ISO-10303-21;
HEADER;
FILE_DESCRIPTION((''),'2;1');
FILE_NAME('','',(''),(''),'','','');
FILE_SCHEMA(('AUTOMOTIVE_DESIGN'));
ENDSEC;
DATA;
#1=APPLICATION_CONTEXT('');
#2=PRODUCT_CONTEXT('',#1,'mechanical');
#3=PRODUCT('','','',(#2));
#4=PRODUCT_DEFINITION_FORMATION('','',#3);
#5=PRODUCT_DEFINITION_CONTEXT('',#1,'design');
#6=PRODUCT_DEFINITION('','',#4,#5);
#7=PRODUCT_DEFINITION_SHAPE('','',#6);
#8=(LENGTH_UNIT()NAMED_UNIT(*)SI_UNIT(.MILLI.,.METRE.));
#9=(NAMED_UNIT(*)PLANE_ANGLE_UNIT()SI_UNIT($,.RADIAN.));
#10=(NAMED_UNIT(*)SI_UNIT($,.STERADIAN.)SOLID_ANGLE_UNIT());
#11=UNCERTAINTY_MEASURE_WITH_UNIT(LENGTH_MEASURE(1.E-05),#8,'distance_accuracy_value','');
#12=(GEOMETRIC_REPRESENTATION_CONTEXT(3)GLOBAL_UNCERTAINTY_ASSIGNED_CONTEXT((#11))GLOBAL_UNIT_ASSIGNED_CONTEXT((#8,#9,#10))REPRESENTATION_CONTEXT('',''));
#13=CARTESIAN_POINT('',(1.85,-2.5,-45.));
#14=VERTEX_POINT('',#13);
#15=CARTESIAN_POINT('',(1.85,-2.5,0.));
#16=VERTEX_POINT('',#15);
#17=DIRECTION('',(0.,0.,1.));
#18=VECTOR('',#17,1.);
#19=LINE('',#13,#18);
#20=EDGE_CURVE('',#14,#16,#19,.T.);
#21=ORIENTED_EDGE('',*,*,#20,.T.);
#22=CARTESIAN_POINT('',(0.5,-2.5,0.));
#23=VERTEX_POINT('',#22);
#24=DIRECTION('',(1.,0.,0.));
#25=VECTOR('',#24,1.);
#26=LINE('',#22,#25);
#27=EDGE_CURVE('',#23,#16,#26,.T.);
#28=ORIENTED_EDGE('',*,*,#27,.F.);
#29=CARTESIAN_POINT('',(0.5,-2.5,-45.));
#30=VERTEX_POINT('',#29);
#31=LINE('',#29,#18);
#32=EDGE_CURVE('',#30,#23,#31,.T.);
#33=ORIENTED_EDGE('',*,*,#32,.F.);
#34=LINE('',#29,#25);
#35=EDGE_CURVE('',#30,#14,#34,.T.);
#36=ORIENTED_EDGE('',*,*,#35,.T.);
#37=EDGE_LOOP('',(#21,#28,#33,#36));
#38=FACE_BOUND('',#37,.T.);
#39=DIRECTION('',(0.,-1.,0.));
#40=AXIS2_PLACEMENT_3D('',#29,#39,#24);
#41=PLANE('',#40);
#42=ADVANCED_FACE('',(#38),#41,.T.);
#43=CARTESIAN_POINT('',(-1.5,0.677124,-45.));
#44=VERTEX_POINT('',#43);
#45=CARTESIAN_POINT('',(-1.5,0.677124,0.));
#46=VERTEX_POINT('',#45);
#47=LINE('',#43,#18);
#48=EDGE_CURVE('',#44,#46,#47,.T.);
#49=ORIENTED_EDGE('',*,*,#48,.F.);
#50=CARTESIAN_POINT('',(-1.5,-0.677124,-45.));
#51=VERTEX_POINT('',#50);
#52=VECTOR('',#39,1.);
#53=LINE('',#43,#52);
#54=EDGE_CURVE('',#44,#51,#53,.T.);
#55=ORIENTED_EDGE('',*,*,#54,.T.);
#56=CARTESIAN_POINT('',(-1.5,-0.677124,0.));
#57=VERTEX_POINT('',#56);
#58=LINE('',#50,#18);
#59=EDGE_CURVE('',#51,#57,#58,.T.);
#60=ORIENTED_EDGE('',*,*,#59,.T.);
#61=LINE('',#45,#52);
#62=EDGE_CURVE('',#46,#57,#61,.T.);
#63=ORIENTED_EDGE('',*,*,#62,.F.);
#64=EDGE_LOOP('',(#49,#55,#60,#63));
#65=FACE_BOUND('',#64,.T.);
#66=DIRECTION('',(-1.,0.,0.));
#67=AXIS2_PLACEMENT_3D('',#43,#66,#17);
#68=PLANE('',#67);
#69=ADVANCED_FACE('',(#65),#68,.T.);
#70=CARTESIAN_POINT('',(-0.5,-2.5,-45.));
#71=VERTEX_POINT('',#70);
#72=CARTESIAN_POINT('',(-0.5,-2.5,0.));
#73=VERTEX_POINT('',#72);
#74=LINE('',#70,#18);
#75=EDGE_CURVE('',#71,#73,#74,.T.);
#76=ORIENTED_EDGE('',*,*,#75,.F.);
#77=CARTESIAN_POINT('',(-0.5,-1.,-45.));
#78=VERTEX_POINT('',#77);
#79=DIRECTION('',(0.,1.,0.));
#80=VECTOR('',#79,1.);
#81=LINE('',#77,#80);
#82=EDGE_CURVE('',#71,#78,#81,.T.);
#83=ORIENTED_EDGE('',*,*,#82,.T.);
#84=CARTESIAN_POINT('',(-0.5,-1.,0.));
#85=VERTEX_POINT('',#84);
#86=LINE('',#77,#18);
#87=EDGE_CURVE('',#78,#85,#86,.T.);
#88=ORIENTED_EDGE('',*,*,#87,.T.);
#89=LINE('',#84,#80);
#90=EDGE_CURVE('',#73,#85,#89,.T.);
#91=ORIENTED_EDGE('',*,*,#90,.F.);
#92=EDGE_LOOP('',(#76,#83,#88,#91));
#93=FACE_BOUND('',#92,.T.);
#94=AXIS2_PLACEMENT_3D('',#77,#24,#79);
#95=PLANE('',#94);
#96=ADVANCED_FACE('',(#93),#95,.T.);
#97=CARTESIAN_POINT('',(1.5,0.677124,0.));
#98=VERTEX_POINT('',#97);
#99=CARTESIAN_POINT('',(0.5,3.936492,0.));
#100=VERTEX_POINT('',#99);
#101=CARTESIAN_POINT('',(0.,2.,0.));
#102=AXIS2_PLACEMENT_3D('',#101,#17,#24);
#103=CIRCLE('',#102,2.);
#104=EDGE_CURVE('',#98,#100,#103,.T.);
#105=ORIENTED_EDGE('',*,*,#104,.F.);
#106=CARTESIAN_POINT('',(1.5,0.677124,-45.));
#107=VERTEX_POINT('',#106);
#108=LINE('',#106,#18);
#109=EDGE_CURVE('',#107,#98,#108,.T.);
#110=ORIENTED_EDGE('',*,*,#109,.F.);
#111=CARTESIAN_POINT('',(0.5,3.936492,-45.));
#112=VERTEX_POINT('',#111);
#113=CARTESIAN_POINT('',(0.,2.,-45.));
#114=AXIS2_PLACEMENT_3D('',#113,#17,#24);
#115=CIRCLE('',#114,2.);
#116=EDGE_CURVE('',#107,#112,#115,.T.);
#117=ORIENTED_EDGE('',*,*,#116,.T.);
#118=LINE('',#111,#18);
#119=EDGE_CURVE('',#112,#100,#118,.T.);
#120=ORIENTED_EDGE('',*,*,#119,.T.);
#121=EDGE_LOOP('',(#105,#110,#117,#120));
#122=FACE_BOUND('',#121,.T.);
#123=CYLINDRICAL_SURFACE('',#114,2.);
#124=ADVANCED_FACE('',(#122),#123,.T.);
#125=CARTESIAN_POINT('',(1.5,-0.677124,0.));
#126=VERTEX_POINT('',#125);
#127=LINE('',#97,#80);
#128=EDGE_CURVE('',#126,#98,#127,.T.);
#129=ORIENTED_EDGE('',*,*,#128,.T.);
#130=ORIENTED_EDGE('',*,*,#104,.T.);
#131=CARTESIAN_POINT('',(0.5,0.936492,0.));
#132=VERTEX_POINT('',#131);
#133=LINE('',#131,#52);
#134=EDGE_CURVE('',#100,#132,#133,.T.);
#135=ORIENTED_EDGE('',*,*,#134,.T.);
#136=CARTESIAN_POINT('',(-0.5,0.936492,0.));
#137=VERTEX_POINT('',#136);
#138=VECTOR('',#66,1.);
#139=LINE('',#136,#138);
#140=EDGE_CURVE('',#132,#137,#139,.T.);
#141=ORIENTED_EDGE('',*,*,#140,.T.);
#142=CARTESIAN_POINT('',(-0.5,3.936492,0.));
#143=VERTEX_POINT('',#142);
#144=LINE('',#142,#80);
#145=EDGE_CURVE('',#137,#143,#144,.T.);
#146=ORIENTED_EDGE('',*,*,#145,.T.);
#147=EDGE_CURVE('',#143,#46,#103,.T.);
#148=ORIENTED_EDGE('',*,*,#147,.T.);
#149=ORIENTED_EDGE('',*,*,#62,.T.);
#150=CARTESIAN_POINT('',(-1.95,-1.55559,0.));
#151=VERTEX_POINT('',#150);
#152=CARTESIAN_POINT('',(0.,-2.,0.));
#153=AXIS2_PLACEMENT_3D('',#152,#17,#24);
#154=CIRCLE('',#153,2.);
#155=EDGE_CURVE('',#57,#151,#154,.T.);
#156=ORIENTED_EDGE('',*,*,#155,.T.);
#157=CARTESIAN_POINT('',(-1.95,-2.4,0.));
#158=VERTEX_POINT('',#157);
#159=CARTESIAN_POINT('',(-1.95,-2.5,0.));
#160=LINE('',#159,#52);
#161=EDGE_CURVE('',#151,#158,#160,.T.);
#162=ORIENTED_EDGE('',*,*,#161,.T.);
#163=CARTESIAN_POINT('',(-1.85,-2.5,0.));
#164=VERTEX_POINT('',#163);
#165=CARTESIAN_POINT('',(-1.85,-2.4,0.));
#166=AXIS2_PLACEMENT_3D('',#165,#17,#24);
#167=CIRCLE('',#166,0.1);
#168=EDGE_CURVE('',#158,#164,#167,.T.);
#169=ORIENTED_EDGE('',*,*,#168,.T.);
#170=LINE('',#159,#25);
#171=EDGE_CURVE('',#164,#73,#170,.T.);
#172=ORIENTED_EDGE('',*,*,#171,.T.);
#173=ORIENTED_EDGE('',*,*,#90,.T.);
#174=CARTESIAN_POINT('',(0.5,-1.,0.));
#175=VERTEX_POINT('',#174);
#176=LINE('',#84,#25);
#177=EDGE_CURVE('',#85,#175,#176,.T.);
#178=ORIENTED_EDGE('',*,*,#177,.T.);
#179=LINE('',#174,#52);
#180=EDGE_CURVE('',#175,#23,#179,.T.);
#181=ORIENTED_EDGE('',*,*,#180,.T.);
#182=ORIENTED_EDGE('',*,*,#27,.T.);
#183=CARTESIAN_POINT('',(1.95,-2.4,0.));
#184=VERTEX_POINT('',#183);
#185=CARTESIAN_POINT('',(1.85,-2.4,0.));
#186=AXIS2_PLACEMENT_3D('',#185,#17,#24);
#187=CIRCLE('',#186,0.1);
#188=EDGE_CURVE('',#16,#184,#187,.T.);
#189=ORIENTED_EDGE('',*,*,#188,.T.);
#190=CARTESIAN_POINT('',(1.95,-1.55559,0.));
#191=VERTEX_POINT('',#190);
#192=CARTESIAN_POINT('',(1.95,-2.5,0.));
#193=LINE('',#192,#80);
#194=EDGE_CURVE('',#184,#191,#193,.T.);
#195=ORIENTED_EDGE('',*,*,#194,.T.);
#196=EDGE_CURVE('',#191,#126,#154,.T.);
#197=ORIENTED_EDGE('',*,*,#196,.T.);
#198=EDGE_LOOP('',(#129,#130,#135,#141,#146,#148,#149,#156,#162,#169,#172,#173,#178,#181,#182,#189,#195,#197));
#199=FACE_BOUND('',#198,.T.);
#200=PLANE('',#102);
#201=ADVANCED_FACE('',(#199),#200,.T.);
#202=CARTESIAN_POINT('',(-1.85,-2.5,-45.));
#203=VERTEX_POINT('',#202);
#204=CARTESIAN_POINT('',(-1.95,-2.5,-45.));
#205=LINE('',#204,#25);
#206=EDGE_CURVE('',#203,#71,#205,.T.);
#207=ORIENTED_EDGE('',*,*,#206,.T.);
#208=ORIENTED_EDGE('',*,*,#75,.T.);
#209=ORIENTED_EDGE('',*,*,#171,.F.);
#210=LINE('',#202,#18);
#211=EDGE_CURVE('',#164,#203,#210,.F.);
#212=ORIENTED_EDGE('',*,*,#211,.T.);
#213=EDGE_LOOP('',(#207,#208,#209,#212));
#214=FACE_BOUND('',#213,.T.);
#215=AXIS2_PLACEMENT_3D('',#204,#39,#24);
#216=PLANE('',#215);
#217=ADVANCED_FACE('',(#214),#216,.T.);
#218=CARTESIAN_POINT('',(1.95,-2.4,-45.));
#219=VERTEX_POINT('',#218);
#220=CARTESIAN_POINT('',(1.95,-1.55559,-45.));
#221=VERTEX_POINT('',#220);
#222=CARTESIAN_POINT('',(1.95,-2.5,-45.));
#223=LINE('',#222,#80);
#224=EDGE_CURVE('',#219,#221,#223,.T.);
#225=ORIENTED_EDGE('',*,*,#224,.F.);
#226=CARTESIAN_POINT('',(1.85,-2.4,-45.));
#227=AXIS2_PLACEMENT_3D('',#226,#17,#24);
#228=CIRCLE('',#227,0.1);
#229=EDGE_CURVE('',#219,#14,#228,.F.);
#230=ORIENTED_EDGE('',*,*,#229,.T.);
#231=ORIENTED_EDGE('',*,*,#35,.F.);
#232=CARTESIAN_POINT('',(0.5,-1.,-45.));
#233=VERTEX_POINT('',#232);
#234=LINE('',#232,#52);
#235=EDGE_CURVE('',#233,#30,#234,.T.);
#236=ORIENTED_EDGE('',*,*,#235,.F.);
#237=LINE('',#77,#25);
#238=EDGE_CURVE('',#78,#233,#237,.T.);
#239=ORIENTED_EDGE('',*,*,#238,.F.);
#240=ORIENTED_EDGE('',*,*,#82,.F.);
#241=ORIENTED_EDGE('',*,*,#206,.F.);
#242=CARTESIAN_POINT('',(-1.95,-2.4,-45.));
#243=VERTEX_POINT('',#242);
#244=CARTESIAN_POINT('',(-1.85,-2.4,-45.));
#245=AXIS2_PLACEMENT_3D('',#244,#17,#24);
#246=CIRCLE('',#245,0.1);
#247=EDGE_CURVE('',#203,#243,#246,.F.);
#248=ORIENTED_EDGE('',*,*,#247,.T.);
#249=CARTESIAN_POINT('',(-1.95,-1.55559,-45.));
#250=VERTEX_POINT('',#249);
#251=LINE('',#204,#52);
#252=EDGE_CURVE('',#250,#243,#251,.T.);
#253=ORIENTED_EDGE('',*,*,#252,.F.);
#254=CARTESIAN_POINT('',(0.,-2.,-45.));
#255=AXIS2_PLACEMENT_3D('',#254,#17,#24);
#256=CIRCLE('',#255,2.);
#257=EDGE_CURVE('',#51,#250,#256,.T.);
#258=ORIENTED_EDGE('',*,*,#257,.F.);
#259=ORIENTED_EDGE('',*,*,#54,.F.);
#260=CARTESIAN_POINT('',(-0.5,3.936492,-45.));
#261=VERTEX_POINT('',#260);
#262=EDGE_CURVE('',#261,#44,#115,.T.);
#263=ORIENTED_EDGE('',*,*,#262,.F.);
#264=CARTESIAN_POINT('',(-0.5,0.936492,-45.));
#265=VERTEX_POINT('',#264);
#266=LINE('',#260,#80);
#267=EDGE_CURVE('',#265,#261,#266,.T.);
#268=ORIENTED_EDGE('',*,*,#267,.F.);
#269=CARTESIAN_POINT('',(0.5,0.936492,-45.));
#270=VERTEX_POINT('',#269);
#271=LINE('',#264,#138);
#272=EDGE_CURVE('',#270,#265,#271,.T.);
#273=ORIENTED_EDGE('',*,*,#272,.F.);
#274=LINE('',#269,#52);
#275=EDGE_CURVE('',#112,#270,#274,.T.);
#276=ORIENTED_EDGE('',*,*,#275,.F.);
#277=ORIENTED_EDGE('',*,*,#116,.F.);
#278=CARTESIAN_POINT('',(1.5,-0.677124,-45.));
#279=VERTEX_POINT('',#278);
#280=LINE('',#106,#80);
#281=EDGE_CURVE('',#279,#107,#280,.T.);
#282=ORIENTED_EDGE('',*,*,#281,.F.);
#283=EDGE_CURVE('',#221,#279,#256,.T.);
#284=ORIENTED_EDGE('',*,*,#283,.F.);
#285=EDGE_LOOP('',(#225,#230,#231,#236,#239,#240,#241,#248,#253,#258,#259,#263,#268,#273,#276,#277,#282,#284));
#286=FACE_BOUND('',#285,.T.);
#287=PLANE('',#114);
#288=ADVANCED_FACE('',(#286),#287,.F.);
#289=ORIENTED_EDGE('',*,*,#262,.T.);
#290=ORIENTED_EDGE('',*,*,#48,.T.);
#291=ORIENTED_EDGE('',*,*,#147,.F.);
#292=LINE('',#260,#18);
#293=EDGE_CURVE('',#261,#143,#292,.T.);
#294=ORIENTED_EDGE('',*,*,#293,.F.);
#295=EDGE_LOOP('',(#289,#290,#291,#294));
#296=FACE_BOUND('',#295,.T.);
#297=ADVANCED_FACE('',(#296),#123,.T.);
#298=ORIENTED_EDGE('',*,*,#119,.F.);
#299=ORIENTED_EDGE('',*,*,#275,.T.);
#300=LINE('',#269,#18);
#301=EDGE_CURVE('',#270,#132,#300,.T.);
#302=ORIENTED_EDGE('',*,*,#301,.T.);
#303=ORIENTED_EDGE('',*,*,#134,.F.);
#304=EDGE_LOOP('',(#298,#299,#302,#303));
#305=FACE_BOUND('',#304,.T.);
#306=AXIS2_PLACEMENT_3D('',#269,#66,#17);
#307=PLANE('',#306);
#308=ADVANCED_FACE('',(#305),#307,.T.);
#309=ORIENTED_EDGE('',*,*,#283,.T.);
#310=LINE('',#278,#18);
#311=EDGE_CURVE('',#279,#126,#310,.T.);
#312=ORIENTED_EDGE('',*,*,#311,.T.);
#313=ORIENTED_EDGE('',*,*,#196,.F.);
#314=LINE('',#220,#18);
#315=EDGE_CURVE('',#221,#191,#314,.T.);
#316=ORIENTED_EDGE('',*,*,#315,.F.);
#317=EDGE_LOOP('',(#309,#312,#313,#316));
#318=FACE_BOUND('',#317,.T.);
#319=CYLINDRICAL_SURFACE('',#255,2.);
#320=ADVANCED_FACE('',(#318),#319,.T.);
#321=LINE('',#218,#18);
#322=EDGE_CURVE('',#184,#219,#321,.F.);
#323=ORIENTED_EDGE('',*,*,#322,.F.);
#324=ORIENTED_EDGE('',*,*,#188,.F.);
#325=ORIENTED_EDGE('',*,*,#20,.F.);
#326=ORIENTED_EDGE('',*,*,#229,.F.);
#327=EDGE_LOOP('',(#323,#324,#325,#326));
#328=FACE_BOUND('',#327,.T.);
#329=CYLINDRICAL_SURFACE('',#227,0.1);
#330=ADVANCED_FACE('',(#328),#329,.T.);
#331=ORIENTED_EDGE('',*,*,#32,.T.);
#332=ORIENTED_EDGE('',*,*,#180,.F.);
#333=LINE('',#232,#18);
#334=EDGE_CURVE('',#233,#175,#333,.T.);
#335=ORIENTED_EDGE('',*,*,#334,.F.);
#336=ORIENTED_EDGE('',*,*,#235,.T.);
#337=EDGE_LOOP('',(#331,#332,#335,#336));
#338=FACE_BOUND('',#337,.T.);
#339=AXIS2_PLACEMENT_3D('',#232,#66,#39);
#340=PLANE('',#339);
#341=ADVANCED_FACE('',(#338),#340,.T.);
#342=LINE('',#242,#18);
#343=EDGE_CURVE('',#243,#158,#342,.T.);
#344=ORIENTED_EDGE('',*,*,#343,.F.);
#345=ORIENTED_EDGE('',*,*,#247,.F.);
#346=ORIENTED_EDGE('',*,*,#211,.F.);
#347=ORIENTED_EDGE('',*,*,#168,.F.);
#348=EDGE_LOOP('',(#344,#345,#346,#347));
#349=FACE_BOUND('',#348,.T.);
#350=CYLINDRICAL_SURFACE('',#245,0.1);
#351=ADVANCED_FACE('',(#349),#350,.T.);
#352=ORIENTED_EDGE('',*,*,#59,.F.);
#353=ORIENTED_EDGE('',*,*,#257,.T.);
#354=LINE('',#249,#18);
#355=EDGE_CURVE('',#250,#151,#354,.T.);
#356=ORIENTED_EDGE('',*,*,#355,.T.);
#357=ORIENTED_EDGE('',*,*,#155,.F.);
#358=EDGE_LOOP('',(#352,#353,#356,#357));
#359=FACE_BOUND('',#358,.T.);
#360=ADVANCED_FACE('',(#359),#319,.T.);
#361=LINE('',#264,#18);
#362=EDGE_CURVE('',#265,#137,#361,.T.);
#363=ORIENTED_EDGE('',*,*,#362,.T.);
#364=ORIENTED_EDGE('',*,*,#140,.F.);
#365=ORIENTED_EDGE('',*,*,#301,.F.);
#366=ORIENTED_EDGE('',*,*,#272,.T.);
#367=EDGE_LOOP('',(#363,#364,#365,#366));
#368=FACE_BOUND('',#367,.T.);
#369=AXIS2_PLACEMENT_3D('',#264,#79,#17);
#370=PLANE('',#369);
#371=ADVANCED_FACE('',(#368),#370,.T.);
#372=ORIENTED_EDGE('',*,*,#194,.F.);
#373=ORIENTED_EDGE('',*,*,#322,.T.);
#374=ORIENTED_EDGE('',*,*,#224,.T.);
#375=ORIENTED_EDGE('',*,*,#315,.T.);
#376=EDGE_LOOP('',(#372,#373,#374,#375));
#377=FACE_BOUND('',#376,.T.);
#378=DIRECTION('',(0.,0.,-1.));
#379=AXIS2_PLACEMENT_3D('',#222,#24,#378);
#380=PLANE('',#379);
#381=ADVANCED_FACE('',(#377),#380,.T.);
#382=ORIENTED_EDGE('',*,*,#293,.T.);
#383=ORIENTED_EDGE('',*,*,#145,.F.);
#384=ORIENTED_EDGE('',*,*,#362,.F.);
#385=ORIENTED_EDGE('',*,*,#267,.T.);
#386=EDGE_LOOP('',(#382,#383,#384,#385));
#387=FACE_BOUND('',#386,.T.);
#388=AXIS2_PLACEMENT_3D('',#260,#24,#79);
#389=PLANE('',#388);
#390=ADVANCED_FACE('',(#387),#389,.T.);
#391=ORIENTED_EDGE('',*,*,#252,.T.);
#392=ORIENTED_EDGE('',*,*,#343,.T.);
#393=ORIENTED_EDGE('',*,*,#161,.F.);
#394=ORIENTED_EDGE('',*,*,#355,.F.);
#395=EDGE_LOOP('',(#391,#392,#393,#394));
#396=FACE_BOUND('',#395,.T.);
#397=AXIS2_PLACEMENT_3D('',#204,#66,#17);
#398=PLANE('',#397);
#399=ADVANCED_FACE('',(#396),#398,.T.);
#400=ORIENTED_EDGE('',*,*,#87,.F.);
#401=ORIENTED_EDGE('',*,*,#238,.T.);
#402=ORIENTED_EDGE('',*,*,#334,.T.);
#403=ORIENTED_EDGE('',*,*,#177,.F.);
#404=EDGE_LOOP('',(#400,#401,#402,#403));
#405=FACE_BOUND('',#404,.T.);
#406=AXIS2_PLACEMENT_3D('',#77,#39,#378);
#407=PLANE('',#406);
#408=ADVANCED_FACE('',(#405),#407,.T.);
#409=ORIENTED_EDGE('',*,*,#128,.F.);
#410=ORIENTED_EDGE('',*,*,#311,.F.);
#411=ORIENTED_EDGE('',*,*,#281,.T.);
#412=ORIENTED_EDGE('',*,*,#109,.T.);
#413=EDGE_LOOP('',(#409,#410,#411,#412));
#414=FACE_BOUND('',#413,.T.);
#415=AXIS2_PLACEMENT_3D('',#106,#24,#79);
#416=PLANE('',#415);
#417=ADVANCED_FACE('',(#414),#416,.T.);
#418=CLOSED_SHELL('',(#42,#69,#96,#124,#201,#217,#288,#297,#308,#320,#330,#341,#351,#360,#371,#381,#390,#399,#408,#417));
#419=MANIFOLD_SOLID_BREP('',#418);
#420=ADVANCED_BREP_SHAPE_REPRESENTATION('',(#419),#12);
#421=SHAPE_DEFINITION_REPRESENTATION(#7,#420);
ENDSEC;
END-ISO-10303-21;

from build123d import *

# Parameters (mm, degrees)
EXTRUDE_1_DEPTH = 45
FILLET_1_R      = 0.1


with BuildPart() as part:
    # 草图1 → 凸台-拉伸1 (new body)
    with BuildSketch(Plane.XY):
        with BuildLine():
            Line((-1.95, -2.5), (-0.5, -2.5))
            Line((-0.5, -2.5), (-0.5, -1))
            Line((-0.5, -1), (0.5, -1))
            Line((0.5, -1), (0.5, -2.5))
            Line((0.5, -2.5), (1.95, -2.5))
            Line((1.95, -2.5), (1.95, -1.555590279))
            ThreePointArc((1.95, -1.555590279), (1.780042303, -1.088161527), (1.5, -0.677124344))
            Line((1.5, -0.677124344), (1.5, 0.677124344))
            ThreePointArc((1.5, 0.677124344), (1.912032648, 2.586626929), (0.5, 3.936491673))
            Line((0.5, 3.936491673), (0.5, 0.936491673))
            Line((0.5, 0.936491673), (-0.5, 0.936491673))
            Line((-0.5, 0.936491673), (-0.5, 3.936491673))
            ThreePointArc((-0.5, 3.936491673), (-1.912032648, 2.586626929), (-1.5, 0.677124344))
            Line((-1.5, 0.677124344), (-1.5, -0.677124344))
            ThreePointArc((-1.5, -0.677124344), (-1.780042303, -1.088161527), (-1.95, -1.555590279))
            Line((-1.95, -1.555590279), (-1.95, -2.5))
        make_face()
    extrude(amount=-EXTRUDE_1_DEPTH)

    # 圆角1
    fillet_1_edges = [part.edges().sort_by_distance(p)[0] for p in [
        (1.95, -2.5, -22.5),
        (-1.95, -2.5, -22.5),
    ]]
    fillet(fillet_1_edges, radius=FILLET_1_R)


solid = part.part
